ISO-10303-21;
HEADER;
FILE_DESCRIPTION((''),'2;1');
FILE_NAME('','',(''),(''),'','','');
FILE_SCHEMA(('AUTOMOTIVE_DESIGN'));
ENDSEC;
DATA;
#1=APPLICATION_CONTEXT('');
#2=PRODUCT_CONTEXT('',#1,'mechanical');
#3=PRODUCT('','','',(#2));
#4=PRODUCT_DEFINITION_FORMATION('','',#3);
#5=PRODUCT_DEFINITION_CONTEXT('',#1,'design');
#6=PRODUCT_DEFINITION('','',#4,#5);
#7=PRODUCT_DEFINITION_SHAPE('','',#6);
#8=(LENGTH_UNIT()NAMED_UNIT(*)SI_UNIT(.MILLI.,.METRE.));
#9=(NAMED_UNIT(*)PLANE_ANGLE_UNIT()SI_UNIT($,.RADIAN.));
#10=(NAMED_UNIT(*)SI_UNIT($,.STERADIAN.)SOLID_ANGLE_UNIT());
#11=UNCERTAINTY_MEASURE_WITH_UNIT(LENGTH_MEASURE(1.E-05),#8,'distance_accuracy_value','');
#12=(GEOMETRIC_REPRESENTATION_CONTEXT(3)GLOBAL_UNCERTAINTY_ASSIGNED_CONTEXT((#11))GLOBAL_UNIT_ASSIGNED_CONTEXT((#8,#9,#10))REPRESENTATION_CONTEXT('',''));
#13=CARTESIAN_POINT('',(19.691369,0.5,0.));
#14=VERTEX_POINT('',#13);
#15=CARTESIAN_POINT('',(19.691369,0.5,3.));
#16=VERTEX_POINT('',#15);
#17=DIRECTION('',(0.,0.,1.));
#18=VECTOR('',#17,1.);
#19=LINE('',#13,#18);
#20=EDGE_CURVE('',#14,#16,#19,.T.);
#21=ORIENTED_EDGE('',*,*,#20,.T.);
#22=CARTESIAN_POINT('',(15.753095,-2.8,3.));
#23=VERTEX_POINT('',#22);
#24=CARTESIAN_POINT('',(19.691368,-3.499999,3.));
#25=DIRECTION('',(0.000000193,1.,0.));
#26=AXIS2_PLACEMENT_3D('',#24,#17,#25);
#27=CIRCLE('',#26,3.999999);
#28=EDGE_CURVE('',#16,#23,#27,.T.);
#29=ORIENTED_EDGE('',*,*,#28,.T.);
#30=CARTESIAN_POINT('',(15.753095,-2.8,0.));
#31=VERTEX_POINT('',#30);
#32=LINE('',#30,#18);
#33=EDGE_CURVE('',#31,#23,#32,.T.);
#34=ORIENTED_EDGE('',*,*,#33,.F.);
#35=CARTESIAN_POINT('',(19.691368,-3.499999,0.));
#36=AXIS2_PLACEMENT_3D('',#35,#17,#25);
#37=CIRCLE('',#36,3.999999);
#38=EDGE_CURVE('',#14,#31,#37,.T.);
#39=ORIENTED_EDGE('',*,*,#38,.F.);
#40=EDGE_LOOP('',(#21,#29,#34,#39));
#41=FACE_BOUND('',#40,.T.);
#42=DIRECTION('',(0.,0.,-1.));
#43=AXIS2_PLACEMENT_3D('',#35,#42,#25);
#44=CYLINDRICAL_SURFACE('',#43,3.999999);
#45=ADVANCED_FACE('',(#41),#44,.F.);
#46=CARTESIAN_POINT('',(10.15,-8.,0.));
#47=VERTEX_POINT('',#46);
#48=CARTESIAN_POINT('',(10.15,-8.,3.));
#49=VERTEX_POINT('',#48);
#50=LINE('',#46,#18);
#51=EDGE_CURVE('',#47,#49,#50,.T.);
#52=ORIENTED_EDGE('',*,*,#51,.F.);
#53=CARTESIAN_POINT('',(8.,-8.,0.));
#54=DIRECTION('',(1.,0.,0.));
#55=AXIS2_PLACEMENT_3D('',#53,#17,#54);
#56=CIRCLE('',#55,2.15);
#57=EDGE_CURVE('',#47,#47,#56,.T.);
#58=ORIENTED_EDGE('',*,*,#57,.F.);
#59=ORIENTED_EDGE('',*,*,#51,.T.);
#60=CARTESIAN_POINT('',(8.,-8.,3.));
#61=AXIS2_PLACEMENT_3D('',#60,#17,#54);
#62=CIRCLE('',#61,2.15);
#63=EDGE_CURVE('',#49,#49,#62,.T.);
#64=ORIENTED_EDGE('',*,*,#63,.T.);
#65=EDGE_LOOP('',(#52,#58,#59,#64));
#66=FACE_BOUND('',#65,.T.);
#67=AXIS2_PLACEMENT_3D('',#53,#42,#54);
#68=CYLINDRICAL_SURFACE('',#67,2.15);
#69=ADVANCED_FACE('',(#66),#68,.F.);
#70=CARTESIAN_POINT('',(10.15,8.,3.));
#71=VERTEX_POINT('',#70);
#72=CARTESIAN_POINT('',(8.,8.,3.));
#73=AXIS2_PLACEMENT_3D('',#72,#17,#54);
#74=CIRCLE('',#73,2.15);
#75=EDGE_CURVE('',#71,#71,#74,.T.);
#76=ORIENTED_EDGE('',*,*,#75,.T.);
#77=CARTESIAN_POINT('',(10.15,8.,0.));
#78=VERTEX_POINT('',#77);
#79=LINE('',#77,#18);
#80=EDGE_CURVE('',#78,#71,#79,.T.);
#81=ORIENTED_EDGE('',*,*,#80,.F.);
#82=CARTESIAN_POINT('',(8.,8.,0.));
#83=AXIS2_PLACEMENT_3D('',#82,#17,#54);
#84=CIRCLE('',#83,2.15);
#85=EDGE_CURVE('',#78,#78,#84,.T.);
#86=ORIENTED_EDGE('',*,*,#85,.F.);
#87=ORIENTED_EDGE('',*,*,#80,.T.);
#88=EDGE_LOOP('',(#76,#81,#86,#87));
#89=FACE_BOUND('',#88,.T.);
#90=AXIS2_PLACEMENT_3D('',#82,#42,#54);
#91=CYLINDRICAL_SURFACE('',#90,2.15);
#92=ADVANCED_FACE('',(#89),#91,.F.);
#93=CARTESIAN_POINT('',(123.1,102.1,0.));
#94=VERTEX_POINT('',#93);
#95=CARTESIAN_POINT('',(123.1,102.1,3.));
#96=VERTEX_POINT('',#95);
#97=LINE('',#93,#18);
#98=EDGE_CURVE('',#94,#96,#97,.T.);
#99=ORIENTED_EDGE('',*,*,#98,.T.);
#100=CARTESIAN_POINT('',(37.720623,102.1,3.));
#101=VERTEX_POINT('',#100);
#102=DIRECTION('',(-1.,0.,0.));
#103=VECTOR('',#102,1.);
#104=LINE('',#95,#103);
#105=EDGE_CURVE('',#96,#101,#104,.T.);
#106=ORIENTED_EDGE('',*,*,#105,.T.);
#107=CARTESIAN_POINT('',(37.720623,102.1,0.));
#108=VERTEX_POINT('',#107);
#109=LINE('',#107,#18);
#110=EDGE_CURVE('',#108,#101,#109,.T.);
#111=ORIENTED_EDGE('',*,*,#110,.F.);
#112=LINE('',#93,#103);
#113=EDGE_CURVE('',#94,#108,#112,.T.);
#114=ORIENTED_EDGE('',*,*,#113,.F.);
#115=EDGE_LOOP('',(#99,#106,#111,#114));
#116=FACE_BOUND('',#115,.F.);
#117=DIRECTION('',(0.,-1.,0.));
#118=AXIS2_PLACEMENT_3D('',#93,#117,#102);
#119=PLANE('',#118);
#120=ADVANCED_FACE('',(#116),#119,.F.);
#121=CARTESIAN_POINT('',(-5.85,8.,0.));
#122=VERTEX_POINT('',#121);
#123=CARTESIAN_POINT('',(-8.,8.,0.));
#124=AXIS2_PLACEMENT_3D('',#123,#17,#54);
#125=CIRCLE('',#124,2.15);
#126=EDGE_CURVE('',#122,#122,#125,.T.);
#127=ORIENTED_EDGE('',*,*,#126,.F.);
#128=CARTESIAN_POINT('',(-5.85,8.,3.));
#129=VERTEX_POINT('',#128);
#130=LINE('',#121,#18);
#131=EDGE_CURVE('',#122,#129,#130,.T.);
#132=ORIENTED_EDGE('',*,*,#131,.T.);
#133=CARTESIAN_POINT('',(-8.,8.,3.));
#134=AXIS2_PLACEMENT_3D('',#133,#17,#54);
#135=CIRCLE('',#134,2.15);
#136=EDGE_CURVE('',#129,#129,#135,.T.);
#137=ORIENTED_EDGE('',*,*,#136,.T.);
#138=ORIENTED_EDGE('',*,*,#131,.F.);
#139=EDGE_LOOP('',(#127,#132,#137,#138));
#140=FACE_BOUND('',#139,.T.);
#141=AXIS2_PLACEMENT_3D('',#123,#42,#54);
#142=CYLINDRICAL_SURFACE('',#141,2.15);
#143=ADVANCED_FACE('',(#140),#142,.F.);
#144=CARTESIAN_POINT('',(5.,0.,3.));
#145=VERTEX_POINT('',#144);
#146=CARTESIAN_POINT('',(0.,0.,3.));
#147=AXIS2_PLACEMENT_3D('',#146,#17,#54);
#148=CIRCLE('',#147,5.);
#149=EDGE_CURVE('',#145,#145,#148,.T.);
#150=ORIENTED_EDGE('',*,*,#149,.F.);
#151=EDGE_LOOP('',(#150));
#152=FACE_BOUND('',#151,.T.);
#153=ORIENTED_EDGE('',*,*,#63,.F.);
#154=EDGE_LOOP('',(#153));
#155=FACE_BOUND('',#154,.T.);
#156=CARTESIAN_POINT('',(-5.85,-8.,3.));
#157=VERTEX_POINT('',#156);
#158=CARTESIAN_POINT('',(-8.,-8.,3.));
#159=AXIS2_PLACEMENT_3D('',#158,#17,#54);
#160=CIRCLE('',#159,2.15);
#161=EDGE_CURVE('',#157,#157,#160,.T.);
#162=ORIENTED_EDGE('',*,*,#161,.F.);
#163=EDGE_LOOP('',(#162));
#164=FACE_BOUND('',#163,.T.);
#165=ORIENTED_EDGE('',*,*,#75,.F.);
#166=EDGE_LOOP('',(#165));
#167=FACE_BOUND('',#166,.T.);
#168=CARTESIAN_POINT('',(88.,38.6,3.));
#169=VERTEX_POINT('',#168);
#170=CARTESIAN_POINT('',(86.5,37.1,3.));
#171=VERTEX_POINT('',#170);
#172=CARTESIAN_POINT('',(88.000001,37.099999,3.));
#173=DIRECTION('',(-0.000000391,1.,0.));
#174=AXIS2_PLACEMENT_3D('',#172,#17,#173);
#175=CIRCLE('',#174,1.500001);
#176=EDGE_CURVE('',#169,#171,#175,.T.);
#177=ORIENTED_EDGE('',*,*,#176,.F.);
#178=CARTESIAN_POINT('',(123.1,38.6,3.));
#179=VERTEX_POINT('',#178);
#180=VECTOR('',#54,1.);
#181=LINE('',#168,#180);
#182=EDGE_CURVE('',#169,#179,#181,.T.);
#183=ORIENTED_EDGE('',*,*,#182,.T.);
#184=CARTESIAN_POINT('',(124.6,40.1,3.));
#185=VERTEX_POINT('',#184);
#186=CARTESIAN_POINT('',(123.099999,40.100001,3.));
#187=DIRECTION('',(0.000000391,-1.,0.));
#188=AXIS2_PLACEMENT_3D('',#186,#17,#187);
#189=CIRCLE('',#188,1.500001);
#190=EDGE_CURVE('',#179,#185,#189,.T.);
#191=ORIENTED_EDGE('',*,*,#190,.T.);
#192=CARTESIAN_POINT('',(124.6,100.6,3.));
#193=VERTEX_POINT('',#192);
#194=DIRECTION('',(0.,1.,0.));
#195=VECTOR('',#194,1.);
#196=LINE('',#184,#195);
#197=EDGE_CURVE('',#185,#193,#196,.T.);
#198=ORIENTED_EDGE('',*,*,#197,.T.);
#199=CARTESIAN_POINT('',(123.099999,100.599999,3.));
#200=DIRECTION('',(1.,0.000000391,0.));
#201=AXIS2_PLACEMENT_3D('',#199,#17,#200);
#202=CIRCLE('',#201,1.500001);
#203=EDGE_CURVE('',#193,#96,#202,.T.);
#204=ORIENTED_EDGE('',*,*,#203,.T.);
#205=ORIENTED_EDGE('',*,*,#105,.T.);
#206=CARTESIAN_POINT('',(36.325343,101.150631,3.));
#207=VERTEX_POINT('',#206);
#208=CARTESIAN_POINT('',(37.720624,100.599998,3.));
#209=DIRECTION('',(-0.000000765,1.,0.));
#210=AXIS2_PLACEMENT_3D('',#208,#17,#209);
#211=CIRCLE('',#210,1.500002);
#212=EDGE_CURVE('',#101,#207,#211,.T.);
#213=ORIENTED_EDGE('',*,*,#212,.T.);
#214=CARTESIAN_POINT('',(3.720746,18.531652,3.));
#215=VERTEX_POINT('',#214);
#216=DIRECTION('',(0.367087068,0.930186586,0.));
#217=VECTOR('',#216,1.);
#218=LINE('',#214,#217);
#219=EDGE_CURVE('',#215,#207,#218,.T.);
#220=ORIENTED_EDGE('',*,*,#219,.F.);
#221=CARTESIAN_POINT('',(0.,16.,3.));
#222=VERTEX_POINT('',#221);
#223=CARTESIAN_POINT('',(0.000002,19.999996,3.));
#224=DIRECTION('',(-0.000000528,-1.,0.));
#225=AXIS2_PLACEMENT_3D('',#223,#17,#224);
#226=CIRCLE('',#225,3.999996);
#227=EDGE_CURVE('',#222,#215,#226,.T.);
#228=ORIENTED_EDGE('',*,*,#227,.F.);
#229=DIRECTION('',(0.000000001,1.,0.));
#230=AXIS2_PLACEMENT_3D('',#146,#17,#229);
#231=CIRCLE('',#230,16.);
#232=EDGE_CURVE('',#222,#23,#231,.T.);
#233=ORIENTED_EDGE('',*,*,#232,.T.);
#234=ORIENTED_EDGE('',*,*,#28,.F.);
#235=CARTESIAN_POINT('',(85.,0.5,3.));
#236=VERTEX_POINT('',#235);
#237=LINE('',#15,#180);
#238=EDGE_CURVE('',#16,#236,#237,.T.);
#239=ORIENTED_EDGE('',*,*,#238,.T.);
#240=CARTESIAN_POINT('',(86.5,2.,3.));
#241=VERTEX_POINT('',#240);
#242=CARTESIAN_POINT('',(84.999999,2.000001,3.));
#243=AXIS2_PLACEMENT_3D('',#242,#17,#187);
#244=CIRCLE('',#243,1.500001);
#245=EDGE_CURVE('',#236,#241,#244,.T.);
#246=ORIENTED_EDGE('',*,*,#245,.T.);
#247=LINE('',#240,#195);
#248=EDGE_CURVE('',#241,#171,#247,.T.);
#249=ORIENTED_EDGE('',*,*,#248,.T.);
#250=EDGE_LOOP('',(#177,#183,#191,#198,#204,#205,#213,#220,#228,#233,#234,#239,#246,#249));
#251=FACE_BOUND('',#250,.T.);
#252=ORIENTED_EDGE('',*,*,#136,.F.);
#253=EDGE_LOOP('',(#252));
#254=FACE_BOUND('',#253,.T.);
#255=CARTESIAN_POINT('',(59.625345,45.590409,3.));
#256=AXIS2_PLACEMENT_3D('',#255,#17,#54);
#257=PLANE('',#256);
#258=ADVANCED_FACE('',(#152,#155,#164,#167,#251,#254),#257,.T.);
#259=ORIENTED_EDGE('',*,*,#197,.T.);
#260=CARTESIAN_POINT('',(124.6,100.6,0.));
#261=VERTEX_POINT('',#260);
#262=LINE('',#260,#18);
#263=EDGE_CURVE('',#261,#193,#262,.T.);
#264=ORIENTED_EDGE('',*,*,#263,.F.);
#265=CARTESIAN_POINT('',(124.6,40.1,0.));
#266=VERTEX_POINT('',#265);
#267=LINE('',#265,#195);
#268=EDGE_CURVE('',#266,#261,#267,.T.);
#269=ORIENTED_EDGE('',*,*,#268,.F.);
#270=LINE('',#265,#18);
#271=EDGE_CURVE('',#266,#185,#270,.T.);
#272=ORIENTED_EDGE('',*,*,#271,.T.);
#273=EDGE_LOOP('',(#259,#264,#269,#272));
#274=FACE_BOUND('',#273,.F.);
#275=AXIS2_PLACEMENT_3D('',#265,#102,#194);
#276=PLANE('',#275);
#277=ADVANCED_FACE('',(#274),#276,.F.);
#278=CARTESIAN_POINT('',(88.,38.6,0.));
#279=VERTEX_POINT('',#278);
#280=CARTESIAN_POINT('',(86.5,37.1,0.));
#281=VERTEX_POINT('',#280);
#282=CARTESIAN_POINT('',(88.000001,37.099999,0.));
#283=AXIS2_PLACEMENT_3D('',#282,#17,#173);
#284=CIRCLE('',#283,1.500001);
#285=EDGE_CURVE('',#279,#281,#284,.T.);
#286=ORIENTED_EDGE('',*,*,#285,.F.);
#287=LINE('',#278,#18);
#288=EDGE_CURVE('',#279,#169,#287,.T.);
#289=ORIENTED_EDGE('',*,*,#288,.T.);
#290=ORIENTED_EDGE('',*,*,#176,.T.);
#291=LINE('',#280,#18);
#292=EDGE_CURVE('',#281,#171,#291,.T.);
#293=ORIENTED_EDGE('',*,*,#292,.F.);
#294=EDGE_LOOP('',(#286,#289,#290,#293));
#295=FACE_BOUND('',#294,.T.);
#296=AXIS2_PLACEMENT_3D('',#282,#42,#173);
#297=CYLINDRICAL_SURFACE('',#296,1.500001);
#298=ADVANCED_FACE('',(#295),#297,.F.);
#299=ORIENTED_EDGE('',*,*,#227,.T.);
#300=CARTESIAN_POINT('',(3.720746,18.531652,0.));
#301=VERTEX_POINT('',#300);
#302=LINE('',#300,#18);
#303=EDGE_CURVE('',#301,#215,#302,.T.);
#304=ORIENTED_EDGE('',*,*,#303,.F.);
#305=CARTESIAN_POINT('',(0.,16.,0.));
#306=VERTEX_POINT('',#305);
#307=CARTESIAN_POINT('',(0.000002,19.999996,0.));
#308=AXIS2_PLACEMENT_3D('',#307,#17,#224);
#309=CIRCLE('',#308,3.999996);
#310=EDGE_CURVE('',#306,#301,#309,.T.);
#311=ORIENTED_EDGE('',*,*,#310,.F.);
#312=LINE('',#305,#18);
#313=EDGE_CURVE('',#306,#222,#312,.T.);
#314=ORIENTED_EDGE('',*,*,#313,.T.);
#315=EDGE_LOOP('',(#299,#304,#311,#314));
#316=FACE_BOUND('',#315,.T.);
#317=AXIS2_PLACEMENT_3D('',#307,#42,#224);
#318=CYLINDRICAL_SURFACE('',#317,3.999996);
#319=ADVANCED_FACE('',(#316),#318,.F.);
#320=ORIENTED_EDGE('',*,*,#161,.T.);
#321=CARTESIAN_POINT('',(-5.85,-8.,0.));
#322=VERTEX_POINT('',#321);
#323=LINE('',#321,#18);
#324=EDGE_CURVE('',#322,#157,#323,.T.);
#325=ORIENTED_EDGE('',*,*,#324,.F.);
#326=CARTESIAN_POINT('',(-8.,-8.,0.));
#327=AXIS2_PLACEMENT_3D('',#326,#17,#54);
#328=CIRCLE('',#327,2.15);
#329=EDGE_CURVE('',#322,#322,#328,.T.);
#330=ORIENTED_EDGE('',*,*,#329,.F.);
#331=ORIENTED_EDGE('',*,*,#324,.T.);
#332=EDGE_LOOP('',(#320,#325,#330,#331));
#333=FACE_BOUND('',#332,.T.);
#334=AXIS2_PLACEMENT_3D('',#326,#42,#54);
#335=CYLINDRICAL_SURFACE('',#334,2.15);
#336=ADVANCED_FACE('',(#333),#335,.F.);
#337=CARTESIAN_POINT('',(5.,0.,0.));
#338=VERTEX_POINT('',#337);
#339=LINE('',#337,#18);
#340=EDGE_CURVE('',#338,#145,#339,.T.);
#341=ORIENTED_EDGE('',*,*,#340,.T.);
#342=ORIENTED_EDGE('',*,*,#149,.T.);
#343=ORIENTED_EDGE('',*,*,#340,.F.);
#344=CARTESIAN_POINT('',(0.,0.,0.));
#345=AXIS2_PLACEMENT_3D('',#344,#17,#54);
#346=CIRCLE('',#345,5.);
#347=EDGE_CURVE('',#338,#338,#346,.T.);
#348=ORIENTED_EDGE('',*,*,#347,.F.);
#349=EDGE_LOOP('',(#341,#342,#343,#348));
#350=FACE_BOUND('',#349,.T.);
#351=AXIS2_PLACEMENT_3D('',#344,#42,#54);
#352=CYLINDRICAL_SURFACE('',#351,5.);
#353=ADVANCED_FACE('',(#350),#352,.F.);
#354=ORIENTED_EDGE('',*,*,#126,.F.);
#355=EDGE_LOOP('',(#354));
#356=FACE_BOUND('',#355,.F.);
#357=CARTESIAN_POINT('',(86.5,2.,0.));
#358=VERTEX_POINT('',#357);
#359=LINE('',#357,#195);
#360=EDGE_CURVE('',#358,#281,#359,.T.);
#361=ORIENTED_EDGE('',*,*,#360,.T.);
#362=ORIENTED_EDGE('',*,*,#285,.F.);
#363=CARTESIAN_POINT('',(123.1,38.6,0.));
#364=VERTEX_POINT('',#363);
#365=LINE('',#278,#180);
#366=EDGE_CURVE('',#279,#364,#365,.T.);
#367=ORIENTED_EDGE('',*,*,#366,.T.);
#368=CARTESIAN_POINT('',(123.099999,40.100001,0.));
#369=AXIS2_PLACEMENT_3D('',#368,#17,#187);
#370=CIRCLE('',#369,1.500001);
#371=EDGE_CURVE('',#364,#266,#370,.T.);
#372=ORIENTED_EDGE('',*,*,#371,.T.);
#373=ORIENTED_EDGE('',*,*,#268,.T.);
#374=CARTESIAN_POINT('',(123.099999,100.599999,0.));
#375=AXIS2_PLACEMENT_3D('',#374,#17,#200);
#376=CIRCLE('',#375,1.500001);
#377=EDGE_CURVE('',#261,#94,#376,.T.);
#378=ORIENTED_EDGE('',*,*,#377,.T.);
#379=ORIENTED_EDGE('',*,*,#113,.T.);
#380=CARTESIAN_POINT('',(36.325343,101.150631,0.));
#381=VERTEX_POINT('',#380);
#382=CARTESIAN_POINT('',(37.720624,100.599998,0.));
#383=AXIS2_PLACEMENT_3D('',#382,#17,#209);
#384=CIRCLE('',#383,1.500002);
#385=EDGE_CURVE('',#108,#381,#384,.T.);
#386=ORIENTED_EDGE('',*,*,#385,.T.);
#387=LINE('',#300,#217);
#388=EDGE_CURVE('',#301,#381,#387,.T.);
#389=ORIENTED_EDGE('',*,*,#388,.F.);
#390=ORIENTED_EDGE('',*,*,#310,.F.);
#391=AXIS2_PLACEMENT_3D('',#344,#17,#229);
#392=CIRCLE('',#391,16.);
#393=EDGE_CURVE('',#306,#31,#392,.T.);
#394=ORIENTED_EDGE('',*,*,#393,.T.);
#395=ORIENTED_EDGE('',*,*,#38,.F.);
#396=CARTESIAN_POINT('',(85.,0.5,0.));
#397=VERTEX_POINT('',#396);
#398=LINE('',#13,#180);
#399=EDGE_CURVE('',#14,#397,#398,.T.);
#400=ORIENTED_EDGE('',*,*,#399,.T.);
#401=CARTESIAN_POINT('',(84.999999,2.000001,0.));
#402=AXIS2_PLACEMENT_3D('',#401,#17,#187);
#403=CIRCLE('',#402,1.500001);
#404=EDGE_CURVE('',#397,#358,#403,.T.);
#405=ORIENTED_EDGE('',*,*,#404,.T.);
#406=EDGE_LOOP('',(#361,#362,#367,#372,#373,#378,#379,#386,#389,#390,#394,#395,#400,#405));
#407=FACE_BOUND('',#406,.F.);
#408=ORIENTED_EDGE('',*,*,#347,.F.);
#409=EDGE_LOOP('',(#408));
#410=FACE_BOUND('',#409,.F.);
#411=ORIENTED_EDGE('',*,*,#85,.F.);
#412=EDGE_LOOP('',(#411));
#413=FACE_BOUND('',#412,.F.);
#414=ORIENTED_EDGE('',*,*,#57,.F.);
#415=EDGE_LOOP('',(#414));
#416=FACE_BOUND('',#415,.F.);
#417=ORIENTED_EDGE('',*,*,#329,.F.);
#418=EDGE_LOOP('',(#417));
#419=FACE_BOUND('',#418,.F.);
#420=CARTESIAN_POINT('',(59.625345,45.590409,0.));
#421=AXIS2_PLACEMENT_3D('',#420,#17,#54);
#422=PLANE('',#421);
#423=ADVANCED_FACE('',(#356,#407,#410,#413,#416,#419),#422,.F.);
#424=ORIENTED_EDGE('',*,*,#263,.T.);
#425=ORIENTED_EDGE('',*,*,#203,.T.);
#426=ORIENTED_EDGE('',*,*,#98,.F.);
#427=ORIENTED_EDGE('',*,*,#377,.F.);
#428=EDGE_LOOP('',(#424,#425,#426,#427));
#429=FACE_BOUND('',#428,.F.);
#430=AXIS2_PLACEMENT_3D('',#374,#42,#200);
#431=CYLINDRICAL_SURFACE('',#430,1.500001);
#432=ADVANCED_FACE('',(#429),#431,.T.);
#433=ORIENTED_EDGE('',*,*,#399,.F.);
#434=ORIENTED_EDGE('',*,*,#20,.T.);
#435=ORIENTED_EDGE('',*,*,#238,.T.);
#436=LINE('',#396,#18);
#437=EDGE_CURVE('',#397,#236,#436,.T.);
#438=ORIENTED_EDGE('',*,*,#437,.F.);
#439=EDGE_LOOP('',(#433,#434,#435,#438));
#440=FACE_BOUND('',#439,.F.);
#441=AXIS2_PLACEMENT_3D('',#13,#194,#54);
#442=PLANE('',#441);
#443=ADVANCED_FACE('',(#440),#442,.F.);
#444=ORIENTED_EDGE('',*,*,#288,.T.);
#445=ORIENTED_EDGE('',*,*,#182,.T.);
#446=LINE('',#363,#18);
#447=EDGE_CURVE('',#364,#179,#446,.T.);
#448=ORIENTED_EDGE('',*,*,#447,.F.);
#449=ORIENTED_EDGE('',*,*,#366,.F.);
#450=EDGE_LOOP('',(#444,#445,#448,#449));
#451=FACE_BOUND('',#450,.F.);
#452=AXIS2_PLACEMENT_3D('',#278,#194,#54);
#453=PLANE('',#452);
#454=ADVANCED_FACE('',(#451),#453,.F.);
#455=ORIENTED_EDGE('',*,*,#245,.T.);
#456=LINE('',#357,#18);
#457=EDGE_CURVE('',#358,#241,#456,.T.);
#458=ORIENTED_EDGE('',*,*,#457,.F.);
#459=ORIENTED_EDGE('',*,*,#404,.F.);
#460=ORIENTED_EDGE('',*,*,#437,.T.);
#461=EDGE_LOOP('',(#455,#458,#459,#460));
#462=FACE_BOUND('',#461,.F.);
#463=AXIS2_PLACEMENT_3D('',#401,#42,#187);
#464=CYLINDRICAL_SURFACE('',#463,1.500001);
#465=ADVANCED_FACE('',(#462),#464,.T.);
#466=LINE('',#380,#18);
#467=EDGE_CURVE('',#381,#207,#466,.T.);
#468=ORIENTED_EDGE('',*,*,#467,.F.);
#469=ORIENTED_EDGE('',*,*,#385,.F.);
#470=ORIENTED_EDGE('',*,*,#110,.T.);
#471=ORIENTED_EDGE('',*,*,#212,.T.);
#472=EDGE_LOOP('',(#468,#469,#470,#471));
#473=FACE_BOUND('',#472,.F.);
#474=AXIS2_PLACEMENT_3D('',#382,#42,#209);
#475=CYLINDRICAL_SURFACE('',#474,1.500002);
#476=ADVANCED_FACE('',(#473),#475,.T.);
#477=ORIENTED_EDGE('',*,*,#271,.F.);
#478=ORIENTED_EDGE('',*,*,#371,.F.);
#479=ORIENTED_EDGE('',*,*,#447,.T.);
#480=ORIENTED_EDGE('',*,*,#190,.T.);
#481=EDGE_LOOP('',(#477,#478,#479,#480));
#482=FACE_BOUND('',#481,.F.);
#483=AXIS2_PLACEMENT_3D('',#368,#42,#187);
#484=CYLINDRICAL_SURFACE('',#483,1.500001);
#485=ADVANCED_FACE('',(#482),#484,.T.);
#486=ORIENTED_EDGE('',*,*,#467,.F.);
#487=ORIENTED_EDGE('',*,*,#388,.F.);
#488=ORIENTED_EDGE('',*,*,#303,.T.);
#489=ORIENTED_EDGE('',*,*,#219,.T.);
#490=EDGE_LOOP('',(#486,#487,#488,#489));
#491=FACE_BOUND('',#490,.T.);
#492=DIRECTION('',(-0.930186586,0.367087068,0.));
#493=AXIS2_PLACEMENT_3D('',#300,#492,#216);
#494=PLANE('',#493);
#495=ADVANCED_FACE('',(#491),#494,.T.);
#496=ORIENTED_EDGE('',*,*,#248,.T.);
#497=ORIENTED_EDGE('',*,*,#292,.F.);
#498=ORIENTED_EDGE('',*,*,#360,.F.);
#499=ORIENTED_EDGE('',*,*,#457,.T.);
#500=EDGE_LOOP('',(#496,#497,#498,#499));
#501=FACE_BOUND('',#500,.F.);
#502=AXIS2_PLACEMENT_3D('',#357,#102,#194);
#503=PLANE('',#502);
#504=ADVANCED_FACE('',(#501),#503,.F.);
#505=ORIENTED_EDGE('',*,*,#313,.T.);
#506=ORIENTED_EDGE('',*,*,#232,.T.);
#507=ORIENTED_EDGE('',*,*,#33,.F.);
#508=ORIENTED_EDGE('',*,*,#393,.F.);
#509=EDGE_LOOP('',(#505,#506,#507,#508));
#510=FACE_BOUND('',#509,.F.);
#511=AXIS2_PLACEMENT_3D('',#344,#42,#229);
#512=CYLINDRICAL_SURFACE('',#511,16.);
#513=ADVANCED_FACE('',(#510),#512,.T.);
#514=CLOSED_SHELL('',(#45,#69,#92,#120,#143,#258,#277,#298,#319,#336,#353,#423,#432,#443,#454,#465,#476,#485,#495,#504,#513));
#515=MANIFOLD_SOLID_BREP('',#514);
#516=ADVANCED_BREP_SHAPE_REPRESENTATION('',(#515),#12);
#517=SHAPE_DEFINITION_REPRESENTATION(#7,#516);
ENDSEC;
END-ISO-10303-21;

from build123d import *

# Parameters (mm, degrees)
SKETCH_R   = 2.15
SKETCH_R_2 = 5
PAD_DEPTH  = 3


with BuildPart() as part:
    # Sketch → Pad (new body)
    with BuildSketch(Plane.XY):
        with BuildLine():
            Line((36.7, 0.5), (85, 0.5))
            ThreePointArc((85, 0.5), (86.06066, 0.93934), (86.5, 2))
            Line((86.5, 2), (86.5, 37.1))
            ThreePointArc((88, 38.6), (86.93934, 38.16066), (86.5, 37.1))
            Line((88, 38.6), (123.1, 38.6))
            ThreePointArc((123.1, 38.6), (124.16066, 39.03934), (124.6, 40.1))
            Line((124.6, 40.1), (124.6, 100.6))
            ThreePointArc((124.6, 100.6), (124.16066, 101.66066), (123.1, 102.1))
            Line((123.1, 102.1), (85, 102.1))
            Line((85, 102.1), (37.720623, 102.1))
            ThreePointArc((37.720623, 102.1), (36.876806, 101.84015), (36.325343, 101.150631))
            Line((3.720746, 18.531652), (36.325343, 101.150631))
            ThreePointArc((0, 16), (2.250179, 16.692932), (3.720746, 18.531652))
            ThreePointArc((0, 16), (-12.263768, -10.276186), (15.753095, -2.8))
            ThreePointArc((19.691369, 0.5), (17.122322, -0.434058), (15.753095, -2.8))
            Line((36.7, 0.5), (19.691369, 0.5))
        make_face()
        with Locations((-8, 8)):
            Circle(SKETCH_R, mode=Mode.SUBTRACT)
        with Locations((8, 8)):
            Circle(SKETCH_R, mode=Mode.SUBTRACT)
        with Locations((-8, -8)):
            Circle(SKETCH_R, mode=Mode.SUBTRACT)
        with Locations((8, -8)):
            Circle(SKETCH_R, mode=Mode.SUBTRACT)
        Circle(SKETCH_R_2, mode=Mode.SUBTRACT)
    extrude(amount=PAD_DEPTH)


solid = part.part
